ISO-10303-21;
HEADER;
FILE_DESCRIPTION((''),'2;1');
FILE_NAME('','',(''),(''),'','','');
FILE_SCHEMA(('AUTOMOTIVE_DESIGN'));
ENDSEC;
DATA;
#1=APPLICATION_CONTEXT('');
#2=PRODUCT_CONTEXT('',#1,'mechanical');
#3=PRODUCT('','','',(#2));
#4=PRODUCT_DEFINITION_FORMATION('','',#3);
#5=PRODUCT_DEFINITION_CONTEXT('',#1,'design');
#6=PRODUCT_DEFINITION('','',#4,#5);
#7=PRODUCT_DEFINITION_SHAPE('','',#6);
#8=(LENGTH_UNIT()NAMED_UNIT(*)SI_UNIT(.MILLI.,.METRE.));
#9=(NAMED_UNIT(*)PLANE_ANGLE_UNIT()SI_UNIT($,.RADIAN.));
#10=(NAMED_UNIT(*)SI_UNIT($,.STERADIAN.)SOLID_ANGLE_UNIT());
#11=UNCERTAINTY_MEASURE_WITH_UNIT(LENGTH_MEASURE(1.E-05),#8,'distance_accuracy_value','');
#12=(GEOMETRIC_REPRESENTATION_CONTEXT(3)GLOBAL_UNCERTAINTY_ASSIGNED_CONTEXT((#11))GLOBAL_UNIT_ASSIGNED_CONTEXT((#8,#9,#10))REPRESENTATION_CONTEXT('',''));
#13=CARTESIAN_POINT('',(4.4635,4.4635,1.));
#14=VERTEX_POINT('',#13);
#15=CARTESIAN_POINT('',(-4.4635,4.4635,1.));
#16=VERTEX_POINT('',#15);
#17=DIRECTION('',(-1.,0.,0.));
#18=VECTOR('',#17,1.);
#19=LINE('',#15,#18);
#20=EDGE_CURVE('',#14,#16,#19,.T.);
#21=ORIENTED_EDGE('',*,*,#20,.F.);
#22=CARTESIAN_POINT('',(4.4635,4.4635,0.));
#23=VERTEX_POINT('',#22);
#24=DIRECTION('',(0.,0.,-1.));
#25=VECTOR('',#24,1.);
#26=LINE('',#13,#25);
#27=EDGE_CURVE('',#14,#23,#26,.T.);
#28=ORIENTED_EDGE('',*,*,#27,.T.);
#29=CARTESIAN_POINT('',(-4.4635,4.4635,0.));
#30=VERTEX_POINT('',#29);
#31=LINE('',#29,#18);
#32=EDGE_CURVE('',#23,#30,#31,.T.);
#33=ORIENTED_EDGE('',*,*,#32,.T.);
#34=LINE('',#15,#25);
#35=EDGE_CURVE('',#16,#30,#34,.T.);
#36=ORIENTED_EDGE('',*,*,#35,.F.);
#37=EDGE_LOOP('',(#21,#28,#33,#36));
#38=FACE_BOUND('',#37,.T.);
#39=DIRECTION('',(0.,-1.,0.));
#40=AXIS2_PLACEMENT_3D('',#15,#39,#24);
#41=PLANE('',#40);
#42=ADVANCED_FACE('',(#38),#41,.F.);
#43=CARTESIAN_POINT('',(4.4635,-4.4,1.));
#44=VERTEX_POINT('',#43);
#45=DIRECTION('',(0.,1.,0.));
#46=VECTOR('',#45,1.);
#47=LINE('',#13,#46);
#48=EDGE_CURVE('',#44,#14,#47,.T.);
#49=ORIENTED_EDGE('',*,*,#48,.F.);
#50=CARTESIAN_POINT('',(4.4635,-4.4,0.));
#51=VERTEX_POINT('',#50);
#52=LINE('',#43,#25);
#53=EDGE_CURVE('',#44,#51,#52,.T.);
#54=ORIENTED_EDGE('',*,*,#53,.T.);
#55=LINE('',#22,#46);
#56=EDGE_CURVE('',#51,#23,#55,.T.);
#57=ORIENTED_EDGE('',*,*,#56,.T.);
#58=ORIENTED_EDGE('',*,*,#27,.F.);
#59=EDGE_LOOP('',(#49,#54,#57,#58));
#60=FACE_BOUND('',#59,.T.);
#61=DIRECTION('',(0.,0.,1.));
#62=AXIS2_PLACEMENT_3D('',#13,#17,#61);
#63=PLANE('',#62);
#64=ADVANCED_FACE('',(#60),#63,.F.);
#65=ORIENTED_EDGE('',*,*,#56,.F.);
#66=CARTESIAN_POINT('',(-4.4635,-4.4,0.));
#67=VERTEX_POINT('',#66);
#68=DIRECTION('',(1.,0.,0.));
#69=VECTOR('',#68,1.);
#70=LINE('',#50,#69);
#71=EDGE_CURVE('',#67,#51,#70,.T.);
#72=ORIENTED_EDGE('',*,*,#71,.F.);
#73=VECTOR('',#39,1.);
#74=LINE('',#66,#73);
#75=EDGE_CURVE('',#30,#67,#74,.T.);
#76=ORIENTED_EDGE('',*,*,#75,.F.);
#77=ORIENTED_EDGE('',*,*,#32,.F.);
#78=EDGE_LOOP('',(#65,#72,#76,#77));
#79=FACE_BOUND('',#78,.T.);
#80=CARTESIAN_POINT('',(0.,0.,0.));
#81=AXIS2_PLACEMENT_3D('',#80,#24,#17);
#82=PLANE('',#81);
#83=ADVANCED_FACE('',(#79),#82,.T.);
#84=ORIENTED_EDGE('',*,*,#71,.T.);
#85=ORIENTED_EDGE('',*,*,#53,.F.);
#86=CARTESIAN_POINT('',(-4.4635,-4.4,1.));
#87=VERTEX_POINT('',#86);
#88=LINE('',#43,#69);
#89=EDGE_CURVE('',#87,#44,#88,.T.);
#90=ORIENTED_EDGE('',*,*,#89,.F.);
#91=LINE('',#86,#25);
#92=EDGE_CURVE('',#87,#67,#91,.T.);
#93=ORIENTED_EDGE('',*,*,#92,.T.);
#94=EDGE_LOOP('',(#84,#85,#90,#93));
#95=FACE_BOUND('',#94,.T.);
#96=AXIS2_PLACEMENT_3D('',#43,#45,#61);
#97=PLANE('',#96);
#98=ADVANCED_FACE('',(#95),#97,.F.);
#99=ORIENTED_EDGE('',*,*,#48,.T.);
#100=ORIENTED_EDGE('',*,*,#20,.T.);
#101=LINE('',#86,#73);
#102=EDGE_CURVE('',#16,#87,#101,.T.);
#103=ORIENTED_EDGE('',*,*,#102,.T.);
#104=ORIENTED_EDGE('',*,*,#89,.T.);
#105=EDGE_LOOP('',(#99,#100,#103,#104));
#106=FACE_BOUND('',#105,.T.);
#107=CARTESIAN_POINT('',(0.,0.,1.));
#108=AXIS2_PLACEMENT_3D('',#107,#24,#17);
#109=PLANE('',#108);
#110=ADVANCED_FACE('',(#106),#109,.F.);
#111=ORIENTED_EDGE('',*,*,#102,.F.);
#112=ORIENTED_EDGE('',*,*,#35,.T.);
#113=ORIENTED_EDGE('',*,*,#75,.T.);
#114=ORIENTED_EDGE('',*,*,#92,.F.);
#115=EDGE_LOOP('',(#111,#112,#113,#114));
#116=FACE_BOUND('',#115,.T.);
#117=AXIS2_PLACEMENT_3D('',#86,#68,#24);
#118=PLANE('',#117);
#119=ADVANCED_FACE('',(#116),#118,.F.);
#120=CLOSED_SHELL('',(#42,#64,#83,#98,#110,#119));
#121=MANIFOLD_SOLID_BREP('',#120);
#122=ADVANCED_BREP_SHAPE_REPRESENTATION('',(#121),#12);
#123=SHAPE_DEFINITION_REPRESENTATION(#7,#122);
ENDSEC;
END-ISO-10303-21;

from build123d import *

# Parameters (mm, degrees)
SKETCH1_W               = 8.927
SKETCH1_H               = 8.8635
COMPONENT_OUTLINE_DEPTH = 1


with BuildPart() as part:
    # Sketch1 → Component_Outline (new body)
    with BuildSketch(Plane.XY):
        with Locations((0, 0.03175)):
            Rectangle(SKETCH1_W, SKETCH1_H)
    extrude(amount=COMPONENT_OUTLINE_DEPTH)


solid = part.part
